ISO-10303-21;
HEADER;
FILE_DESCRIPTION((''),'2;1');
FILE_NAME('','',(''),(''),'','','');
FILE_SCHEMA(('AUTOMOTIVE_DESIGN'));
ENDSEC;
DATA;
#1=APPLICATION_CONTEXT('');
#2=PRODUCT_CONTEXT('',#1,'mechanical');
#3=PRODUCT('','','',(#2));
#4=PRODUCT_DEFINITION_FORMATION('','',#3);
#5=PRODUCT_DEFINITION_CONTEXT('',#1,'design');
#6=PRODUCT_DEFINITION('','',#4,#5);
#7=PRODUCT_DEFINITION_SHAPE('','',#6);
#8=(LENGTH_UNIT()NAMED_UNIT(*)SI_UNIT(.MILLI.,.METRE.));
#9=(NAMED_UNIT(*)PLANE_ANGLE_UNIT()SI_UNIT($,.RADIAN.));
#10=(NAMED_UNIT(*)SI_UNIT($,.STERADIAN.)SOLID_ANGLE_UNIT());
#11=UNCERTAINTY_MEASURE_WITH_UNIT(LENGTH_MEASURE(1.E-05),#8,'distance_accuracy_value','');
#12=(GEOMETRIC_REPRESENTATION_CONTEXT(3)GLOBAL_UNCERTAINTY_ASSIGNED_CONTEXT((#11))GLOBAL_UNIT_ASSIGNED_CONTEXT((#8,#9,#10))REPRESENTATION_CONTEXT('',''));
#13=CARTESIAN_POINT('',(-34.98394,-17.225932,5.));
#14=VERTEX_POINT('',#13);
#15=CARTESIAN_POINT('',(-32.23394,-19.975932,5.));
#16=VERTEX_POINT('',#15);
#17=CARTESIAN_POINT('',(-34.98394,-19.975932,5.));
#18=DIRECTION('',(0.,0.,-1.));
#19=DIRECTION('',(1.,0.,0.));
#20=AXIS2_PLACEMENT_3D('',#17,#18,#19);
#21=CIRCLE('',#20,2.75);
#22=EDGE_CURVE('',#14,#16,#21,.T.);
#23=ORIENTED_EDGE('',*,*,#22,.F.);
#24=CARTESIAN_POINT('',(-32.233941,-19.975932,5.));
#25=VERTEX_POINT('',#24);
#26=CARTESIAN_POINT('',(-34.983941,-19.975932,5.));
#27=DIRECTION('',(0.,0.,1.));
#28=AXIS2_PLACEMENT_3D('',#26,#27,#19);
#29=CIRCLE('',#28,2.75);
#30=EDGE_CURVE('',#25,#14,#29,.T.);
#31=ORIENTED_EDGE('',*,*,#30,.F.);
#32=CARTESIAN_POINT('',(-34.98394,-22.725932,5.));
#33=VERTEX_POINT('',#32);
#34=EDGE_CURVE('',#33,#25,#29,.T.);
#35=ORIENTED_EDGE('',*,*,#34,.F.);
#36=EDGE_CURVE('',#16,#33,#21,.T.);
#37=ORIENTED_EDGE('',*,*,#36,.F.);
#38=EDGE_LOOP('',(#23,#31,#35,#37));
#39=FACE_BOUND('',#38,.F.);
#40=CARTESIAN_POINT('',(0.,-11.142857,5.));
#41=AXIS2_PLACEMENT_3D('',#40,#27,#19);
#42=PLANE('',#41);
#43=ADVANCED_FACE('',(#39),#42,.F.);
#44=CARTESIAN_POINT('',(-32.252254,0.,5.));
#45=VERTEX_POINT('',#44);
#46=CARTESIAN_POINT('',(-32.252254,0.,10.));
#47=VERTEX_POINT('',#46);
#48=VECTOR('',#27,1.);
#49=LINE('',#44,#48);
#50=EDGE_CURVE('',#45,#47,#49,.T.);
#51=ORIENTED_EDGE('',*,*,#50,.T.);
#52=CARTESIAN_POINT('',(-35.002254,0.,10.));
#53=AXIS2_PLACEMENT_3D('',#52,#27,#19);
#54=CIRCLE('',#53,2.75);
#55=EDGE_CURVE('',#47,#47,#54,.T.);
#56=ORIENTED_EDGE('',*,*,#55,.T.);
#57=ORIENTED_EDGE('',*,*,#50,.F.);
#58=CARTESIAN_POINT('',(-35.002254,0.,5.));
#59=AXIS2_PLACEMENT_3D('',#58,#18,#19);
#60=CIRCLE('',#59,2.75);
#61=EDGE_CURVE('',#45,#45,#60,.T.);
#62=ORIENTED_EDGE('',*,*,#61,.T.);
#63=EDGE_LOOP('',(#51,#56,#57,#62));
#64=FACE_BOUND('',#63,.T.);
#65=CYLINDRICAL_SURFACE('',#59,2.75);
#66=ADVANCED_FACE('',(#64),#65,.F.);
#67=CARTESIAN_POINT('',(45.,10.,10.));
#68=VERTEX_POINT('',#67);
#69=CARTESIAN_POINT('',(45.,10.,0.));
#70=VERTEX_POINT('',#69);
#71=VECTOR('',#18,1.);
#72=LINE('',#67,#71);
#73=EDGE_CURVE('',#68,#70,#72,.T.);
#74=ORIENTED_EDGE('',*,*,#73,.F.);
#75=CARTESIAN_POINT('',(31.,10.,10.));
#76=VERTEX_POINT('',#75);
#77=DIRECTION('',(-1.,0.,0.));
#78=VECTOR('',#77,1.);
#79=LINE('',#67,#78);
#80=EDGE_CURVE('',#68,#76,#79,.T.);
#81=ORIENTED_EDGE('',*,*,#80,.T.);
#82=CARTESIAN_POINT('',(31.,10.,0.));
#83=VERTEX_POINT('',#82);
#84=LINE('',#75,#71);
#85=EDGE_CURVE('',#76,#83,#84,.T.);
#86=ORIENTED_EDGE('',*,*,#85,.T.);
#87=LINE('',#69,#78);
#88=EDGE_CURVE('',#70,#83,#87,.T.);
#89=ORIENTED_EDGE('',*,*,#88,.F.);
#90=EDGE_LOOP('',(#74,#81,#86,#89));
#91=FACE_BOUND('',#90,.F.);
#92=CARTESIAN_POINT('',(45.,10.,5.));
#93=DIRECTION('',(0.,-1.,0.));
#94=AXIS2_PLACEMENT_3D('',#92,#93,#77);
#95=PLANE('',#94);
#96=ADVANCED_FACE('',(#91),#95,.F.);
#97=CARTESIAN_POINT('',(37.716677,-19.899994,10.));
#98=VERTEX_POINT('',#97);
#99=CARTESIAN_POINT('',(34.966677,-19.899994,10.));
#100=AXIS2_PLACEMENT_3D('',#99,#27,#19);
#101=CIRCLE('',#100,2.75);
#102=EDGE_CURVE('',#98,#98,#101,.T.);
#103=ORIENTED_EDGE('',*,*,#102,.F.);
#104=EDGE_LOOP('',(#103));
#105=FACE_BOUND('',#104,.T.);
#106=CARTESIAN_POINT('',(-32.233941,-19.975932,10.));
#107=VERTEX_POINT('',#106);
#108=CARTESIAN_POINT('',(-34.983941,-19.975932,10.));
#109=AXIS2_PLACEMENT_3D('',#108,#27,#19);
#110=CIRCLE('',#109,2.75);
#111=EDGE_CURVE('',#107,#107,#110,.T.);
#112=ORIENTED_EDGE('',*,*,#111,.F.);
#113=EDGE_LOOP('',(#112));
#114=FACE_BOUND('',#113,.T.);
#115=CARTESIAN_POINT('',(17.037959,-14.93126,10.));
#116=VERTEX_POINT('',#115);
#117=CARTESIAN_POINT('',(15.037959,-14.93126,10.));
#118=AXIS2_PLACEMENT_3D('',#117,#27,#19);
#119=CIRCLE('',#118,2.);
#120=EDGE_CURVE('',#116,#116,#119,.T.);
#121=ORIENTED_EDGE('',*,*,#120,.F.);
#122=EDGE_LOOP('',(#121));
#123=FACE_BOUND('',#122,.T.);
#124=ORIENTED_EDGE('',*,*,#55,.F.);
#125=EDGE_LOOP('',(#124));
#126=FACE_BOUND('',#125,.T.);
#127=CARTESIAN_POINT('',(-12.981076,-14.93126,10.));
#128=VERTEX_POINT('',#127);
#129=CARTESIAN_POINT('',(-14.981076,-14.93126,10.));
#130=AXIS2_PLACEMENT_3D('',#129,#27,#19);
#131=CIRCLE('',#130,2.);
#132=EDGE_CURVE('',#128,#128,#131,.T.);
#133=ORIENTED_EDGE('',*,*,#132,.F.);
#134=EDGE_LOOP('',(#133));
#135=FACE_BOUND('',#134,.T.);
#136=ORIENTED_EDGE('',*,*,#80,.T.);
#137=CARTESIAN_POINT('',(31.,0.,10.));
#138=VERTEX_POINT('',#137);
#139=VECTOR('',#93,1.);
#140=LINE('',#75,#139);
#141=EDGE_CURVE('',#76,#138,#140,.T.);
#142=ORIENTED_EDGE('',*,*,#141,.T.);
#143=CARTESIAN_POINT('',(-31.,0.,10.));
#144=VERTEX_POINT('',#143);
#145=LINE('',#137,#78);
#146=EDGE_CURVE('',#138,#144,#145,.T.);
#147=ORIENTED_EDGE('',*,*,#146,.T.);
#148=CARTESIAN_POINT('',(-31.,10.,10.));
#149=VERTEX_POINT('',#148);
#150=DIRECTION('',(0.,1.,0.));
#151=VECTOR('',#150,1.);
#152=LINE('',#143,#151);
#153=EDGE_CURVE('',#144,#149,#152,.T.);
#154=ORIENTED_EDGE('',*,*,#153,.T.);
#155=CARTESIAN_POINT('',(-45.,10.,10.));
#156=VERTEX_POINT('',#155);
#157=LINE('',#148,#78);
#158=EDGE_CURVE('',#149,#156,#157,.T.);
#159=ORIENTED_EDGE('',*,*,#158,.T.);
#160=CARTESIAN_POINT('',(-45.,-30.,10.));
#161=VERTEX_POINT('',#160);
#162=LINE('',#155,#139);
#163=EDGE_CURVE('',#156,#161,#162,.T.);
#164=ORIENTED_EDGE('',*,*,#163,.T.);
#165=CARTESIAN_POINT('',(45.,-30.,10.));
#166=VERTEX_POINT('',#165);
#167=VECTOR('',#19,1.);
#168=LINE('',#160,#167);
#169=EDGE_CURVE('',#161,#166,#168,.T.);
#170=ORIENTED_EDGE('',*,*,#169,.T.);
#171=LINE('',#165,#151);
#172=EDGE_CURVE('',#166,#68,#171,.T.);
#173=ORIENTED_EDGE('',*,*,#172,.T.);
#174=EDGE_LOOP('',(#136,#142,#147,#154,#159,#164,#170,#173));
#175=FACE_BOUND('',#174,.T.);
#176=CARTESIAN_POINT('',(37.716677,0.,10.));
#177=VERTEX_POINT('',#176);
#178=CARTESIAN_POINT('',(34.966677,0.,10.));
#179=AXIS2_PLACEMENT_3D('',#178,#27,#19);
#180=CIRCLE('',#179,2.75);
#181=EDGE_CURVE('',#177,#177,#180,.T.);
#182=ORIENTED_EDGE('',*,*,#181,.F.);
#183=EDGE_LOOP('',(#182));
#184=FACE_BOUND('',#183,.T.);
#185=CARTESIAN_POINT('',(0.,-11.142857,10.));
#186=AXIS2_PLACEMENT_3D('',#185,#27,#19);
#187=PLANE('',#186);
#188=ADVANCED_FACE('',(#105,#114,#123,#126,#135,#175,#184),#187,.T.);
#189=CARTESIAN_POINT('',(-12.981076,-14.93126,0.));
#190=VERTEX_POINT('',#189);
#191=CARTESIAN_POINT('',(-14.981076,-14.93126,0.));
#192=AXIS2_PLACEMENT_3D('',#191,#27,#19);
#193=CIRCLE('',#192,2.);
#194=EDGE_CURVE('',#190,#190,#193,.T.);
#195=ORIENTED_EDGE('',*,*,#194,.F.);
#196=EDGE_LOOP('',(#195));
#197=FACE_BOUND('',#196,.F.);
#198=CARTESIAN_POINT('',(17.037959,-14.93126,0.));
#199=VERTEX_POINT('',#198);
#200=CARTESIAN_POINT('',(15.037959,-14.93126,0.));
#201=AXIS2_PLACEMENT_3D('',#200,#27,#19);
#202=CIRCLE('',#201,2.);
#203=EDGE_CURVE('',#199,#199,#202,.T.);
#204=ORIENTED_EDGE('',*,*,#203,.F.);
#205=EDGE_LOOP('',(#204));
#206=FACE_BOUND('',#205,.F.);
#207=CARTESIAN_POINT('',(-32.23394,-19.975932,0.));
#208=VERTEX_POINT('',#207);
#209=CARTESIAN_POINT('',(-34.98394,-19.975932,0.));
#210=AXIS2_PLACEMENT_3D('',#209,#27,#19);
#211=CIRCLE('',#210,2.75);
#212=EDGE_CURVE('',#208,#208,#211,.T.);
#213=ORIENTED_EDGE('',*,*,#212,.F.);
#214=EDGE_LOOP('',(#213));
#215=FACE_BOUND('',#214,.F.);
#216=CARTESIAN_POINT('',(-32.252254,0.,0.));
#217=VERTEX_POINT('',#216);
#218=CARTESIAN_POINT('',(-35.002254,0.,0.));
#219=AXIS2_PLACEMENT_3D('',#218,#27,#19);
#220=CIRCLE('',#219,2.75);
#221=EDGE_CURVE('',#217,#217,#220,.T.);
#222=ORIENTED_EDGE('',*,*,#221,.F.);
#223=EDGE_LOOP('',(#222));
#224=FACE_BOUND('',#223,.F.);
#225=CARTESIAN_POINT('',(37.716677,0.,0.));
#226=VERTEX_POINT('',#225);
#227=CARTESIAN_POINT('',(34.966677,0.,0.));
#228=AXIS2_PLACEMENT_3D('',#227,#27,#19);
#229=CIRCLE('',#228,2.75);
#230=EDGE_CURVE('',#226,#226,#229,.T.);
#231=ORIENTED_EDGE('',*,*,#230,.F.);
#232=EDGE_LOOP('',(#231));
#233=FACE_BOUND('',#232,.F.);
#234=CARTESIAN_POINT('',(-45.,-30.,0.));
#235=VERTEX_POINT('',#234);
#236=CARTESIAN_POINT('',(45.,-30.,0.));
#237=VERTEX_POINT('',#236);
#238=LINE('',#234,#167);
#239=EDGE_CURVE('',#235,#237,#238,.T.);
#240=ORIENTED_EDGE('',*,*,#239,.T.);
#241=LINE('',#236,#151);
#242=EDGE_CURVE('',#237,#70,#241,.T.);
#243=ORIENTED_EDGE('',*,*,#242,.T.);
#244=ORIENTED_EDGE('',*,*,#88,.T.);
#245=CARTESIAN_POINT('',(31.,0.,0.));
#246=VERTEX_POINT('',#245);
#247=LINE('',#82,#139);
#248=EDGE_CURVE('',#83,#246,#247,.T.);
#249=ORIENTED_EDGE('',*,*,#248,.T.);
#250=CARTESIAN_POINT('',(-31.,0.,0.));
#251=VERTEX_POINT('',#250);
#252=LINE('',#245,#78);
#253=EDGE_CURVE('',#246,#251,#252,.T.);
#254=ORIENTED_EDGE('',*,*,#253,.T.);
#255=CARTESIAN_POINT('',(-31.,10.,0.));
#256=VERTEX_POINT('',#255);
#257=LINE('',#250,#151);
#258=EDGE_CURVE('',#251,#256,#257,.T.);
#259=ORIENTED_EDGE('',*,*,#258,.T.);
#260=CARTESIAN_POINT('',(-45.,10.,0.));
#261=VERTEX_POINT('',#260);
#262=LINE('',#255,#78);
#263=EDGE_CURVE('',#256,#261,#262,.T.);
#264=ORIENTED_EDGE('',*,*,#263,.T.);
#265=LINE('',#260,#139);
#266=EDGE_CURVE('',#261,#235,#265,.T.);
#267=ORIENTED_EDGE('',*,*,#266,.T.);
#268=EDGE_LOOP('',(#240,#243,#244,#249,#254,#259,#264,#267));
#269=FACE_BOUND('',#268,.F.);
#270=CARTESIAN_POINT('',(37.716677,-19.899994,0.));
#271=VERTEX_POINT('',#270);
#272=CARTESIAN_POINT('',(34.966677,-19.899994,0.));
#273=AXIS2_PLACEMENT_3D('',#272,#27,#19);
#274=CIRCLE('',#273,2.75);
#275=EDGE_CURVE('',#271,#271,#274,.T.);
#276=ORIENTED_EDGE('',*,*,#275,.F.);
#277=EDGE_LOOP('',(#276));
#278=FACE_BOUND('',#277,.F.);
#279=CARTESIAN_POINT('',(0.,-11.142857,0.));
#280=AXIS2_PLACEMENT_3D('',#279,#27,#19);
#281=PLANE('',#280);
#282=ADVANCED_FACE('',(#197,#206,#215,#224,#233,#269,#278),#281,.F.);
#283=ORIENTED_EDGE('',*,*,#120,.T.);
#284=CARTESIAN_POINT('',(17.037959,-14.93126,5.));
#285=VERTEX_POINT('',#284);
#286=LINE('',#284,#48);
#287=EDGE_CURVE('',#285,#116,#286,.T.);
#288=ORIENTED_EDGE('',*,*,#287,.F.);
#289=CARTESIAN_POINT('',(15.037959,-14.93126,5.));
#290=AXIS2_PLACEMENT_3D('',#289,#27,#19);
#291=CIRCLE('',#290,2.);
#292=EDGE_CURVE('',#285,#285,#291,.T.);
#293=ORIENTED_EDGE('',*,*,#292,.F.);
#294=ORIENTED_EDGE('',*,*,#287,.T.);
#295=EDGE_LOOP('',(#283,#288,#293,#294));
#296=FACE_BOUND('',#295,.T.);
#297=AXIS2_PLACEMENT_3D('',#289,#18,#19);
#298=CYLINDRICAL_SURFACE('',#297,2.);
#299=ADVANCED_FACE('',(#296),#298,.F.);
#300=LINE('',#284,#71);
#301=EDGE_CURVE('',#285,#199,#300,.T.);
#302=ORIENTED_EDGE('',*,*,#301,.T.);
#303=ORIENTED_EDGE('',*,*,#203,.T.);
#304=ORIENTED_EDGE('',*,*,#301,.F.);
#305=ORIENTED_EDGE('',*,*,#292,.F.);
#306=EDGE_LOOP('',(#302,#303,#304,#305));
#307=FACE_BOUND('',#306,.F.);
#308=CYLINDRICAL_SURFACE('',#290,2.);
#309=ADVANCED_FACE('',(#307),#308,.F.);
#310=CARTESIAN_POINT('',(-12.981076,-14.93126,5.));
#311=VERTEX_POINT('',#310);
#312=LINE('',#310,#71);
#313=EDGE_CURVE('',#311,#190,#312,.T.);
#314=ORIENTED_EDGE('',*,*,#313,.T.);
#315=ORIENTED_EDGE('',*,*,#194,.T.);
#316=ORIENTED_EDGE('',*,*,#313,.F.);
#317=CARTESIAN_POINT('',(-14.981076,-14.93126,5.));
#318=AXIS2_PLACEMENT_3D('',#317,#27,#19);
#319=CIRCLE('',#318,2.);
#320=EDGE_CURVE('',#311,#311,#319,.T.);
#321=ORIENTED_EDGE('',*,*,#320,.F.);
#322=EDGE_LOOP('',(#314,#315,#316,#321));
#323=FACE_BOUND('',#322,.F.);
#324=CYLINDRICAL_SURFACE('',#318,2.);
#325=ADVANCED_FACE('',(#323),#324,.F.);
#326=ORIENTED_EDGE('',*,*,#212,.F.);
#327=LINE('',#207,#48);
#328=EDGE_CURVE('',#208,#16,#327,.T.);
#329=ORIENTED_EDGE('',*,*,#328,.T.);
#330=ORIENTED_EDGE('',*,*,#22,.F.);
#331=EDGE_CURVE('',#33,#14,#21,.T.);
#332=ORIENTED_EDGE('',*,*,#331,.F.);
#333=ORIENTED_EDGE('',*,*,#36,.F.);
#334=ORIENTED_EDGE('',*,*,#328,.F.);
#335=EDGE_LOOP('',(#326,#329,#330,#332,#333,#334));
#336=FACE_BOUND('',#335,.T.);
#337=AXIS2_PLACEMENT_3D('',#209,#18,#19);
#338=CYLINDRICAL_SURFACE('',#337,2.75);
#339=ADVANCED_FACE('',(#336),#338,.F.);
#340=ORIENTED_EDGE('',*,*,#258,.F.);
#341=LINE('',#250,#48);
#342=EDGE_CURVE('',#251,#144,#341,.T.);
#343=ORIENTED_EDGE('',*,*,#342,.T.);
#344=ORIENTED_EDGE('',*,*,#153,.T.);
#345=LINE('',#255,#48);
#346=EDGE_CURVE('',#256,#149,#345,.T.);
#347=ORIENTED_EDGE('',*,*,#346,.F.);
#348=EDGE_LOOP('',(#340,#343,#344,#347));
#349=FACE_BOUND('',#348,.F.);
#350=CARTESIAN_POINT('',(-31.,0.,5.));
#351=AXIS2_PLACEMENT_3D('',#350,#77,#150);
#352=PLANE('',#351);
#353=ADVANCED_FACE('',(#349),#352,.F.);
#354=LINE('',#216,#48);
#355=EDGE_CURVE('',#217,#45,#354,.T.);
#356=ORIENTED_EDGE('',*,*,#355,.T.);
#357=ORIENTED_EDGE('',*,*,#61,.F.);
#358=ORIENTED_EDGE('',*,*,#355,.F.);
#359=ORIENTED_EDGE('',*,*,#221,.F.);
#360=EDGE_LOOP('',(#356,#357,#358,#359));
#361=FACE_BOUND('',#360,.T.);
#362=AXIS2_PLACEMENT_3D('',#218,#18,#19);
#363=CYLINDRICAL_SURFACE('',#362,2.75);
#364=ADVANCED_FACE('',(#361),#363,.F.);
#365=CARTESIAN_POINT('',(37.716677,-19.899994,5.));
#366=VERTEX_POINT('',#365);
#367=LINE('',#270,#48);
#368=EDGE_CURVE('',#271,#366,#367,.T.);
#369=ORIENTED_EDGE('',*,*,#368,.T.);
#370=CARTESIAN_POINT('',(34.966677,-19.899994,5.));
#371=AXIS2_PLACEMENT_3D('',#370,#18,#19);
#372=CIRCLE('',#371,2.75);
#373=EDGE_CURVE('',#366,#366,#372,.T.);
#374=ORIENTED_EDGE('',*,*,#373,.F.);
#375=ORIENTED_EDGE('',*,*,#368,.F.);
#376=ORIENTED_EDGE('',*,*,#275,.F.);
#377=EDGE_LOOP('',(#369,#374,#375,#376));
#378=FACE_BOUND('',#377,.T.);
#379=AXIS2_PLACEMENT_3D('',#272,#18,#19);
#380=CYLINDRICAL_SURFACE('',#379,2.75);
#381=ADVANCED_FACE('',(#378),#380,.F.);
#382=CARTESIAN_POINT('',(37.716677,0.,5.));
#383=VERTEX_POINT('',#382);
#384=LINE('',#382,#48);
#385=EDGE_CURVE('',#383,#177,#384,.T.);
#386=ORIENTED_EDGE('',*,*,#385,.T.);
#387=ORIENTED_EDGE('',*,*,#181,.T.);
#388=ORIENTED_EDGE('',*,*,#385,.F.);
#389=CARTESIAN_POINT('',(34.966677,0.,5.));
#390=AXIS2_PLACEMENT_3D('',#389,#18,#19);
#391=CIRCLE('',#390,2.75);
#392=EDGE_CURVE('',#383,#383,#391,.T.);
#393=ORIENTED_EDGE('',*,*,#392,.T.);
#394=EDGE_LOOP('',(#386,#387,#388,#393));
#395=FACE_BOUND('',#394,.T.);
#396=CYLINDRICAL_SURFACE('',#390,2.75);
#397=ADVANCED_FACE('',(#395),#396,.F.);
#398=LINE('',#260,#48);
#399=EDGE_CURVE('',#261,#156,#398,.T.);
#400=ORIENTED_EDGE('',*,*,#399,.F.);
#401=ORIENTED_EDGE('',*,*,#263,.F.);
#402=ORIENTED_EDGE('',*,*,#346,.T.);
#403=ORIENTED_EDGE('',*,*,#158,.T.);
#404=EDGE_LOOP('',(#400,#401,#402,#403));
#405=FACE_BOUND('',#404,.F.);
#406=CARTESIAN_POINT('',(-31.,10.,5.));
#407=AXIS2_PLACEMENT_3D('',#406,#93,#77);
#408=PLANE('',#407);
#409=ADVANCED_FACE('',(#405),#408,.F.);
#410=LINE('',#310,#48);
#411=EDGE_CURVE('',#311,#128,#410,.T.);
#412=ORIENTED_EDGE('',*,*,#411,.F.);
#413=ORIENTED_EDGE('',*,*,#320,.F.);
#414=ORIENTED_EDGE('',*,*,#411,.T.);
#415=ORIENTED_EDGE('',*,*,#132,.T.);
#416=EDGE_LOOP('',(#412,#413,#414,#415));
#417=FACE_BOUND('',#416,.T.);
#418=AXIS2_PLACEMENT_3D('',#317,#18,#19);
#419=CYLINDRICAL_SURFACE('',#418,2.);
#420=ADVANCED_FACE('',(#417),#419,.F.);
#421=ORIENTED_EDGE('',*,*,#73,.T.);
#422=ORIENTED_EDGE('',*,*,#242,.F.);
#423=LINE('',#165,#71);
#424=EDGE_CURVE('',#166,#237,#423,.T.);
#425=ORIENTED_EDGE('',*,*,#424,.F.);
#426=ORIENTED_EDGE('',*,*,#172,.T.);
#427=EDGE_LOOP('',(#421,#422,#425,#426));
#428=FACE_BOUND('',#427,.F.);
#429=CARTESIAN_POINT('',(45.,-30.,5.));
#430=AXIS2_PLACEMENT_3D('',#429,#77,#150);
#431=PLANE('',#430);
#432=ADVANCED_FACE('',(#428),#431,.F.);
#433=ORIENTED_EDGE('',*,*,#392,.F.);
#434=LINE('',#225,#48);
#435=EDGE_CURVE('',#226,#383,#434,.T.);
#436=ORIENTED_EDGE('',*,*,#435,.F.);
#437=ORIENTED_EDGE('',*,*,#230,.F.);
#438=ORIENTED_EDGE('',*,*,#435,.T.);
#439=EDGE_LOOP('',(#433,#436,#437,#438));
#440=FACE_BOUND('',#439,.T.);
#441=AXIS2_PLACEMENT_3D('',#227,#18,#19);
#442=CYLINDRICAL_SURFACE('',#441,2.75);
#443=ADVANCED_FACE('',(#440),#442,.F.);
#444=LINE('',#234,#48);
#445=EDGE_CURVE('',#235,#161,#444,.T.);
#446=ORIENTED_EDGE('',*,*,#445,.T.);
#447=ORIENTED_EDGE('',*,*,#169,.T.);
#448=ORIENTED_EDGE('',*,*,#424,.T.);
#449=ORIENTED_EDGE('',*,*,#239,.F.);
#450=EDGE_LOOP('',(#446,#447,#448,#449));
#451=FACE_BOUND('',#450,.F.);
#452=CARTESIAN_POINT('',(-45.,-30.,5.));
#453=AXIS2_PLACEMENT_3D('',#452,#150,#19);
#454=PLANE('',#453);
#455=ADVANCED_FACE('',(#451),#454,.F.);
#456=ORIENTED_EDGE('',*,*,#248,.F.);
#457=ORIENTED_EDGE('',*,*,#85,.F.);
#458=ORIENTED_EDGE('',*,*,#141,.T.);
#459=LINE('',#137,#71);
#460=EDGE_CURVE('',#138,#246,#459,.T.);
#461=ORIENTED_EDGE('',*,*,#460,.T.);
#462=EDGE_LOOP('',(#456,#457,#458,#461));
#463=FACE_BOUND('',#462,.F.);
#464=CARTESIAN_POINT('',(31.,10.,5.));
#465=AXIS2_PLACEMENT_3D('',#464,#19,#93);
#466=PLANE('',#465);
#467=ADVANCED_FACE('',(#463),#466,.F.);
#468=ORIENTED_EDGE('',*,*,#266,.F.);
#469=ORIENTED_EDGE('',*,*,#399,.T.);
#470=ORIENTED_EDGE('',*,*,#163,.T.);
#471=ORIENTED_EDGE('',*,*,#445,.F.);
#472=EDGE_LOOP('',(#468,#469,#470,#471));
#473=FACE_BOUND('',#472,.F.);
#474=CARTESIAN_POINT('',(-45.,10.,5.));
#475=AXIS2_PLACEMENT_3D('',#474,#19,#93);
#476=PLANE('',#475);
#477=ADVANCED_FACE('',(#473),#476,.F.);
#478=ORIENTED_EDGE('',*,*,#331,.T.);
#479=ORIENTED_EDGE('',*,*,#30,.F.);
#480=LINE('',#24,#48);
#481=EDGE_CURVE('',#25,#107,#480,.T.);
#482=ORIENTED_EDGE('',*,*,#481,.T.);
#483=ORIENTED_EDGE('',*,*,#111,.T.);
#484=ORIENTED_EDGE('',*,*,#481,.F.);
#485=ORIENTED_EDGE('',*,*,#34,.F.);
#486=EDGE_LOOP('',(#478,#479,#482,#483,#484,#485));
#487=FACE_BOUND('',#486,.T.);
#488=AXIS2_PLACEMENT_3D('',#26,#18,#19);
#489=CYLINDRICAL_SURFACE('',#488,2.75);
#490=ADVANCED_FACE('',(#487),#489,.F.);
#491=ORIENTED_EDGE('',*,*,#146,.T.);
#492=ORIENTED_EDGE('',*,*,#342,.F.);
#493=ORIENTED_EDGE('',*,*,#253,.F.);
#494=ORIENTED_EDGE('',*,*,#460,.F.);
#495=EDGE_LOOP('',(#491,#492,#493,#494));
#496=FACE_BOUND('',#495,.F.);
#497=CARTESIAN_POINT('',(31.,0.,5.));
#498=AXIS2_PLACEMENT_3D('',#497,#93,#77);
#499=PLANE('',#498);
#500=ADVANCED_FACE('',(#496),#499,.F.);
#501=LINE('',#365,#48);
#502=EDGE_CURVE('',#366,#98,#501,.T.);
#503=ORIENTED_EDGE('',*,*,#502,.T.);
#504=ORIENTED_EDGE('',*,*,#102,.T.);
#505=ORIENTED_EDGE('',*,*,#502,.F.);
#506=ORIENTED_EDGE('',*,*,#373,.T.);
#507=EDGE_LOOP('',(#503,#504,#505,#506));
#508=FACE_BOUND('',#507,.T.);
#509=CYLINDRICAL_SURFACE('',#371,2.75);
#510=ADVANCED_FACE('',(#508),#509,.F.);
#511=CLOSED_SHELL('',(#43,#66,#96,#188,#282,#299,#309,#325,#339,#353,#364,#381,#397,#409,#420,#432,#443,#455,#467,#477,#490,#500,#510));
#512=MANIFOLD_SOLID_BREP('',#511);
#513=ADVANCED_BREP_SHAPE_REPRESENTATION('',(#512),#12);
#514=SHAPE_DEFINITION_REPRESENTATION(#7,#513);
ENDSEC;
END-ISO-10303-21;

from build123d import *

# Parameters (mm, degrees)
F1_DEPTH    = 5
F2_R        = 2.75
F3_DEPTH    = 58.2
F4_R        = 2
F5_DEPTH    = 25
F1_FACE_R   = 2.75
F1_FACE_R_2 = 2
F6_DEPTH    = 5


with BuildPart() as f1:
    # F0 (on Top) → F1 (new body)
    with BuildSketch(Plane.XY):
        Polygon((31, 0), (0, 0), (-31, 0), (-31, 10), (-45, 10), (-45, -30), (45, -30), (45, 10), (31, 10), align=None)
    extrude(amount=F1_DEPTH)

    # F2 (on Top) → F3 (cut)
    with BuildSketch(Plane.XY):
        with Locations((-34.98394, -19.975932)):
            Circle(F2_R)
        with Locations((-35.002254, 0)):
            Circle(F2_R)
        with Locations((34.966677, 0)):
            Circle(F2_R)
        with Locations((34.966677, -19.899994)):
            Circle(F2_R)
    extrude(amount=F3_DEPTH, mode=Mode.SUBTRACT)

    # F4 (on face) → F5 (cut)
    with BuildSketch(Plane.XY.offset(5)):
        with Locations((-14.981076, -14.93126)):
            Circle(F4_R)
        with Locations((15.037959, -14.93126)):
            Circle(F4_R)
    extrude(amount=-F5_DEPTH, mode=Mode.SUBTRACT)

    # F1_face (on face) → F6 (join)
    with BuildSketch(Plane(origin=(0.000435, -13.224629, 5), x_dir=(1, 0, 0), z_dir=(0, 0, 1))):
        Polygon((30.999565, 13.224629), (-31.000435, 13.224629), (-31.000435, 23.224629), (-45.000435, 23.224629), (-45.000435, -16.775371), (44.999565, -16.775371), (44.999565, 23.224629), (30.999565, 23.224629), align=None)
        with Locations((-34.984376, -6.751303)):
            Circle(F1_FACE_R, mode=Mode.SUBTRACT)
        with Locations((-14.981511, -1.706631)):
            Circle(F1_FACE_R_2, mode=Mode.SUBTRACT)
        with Locations((34.966242, -6.675365)):
            Circle(F1_FACE_R, mode=Mode.SUBTRACT)
        with Locations((15.037524, -1.706631)):
            Circle(F1_FACE_R_2, mode=Mode.SUBTRACT)
        with Locations((-35.002689, 13.224629)):
            Circle(F1_FACE_R, mode=Mode.SUBTRACT)
        with Locations((34.966242, 13.224629)):
            Circle(F1_FACE_R, mode=Mode.SUBTRACT)
    extrude(amount=F6_DEPTH)


solid = f1.part
